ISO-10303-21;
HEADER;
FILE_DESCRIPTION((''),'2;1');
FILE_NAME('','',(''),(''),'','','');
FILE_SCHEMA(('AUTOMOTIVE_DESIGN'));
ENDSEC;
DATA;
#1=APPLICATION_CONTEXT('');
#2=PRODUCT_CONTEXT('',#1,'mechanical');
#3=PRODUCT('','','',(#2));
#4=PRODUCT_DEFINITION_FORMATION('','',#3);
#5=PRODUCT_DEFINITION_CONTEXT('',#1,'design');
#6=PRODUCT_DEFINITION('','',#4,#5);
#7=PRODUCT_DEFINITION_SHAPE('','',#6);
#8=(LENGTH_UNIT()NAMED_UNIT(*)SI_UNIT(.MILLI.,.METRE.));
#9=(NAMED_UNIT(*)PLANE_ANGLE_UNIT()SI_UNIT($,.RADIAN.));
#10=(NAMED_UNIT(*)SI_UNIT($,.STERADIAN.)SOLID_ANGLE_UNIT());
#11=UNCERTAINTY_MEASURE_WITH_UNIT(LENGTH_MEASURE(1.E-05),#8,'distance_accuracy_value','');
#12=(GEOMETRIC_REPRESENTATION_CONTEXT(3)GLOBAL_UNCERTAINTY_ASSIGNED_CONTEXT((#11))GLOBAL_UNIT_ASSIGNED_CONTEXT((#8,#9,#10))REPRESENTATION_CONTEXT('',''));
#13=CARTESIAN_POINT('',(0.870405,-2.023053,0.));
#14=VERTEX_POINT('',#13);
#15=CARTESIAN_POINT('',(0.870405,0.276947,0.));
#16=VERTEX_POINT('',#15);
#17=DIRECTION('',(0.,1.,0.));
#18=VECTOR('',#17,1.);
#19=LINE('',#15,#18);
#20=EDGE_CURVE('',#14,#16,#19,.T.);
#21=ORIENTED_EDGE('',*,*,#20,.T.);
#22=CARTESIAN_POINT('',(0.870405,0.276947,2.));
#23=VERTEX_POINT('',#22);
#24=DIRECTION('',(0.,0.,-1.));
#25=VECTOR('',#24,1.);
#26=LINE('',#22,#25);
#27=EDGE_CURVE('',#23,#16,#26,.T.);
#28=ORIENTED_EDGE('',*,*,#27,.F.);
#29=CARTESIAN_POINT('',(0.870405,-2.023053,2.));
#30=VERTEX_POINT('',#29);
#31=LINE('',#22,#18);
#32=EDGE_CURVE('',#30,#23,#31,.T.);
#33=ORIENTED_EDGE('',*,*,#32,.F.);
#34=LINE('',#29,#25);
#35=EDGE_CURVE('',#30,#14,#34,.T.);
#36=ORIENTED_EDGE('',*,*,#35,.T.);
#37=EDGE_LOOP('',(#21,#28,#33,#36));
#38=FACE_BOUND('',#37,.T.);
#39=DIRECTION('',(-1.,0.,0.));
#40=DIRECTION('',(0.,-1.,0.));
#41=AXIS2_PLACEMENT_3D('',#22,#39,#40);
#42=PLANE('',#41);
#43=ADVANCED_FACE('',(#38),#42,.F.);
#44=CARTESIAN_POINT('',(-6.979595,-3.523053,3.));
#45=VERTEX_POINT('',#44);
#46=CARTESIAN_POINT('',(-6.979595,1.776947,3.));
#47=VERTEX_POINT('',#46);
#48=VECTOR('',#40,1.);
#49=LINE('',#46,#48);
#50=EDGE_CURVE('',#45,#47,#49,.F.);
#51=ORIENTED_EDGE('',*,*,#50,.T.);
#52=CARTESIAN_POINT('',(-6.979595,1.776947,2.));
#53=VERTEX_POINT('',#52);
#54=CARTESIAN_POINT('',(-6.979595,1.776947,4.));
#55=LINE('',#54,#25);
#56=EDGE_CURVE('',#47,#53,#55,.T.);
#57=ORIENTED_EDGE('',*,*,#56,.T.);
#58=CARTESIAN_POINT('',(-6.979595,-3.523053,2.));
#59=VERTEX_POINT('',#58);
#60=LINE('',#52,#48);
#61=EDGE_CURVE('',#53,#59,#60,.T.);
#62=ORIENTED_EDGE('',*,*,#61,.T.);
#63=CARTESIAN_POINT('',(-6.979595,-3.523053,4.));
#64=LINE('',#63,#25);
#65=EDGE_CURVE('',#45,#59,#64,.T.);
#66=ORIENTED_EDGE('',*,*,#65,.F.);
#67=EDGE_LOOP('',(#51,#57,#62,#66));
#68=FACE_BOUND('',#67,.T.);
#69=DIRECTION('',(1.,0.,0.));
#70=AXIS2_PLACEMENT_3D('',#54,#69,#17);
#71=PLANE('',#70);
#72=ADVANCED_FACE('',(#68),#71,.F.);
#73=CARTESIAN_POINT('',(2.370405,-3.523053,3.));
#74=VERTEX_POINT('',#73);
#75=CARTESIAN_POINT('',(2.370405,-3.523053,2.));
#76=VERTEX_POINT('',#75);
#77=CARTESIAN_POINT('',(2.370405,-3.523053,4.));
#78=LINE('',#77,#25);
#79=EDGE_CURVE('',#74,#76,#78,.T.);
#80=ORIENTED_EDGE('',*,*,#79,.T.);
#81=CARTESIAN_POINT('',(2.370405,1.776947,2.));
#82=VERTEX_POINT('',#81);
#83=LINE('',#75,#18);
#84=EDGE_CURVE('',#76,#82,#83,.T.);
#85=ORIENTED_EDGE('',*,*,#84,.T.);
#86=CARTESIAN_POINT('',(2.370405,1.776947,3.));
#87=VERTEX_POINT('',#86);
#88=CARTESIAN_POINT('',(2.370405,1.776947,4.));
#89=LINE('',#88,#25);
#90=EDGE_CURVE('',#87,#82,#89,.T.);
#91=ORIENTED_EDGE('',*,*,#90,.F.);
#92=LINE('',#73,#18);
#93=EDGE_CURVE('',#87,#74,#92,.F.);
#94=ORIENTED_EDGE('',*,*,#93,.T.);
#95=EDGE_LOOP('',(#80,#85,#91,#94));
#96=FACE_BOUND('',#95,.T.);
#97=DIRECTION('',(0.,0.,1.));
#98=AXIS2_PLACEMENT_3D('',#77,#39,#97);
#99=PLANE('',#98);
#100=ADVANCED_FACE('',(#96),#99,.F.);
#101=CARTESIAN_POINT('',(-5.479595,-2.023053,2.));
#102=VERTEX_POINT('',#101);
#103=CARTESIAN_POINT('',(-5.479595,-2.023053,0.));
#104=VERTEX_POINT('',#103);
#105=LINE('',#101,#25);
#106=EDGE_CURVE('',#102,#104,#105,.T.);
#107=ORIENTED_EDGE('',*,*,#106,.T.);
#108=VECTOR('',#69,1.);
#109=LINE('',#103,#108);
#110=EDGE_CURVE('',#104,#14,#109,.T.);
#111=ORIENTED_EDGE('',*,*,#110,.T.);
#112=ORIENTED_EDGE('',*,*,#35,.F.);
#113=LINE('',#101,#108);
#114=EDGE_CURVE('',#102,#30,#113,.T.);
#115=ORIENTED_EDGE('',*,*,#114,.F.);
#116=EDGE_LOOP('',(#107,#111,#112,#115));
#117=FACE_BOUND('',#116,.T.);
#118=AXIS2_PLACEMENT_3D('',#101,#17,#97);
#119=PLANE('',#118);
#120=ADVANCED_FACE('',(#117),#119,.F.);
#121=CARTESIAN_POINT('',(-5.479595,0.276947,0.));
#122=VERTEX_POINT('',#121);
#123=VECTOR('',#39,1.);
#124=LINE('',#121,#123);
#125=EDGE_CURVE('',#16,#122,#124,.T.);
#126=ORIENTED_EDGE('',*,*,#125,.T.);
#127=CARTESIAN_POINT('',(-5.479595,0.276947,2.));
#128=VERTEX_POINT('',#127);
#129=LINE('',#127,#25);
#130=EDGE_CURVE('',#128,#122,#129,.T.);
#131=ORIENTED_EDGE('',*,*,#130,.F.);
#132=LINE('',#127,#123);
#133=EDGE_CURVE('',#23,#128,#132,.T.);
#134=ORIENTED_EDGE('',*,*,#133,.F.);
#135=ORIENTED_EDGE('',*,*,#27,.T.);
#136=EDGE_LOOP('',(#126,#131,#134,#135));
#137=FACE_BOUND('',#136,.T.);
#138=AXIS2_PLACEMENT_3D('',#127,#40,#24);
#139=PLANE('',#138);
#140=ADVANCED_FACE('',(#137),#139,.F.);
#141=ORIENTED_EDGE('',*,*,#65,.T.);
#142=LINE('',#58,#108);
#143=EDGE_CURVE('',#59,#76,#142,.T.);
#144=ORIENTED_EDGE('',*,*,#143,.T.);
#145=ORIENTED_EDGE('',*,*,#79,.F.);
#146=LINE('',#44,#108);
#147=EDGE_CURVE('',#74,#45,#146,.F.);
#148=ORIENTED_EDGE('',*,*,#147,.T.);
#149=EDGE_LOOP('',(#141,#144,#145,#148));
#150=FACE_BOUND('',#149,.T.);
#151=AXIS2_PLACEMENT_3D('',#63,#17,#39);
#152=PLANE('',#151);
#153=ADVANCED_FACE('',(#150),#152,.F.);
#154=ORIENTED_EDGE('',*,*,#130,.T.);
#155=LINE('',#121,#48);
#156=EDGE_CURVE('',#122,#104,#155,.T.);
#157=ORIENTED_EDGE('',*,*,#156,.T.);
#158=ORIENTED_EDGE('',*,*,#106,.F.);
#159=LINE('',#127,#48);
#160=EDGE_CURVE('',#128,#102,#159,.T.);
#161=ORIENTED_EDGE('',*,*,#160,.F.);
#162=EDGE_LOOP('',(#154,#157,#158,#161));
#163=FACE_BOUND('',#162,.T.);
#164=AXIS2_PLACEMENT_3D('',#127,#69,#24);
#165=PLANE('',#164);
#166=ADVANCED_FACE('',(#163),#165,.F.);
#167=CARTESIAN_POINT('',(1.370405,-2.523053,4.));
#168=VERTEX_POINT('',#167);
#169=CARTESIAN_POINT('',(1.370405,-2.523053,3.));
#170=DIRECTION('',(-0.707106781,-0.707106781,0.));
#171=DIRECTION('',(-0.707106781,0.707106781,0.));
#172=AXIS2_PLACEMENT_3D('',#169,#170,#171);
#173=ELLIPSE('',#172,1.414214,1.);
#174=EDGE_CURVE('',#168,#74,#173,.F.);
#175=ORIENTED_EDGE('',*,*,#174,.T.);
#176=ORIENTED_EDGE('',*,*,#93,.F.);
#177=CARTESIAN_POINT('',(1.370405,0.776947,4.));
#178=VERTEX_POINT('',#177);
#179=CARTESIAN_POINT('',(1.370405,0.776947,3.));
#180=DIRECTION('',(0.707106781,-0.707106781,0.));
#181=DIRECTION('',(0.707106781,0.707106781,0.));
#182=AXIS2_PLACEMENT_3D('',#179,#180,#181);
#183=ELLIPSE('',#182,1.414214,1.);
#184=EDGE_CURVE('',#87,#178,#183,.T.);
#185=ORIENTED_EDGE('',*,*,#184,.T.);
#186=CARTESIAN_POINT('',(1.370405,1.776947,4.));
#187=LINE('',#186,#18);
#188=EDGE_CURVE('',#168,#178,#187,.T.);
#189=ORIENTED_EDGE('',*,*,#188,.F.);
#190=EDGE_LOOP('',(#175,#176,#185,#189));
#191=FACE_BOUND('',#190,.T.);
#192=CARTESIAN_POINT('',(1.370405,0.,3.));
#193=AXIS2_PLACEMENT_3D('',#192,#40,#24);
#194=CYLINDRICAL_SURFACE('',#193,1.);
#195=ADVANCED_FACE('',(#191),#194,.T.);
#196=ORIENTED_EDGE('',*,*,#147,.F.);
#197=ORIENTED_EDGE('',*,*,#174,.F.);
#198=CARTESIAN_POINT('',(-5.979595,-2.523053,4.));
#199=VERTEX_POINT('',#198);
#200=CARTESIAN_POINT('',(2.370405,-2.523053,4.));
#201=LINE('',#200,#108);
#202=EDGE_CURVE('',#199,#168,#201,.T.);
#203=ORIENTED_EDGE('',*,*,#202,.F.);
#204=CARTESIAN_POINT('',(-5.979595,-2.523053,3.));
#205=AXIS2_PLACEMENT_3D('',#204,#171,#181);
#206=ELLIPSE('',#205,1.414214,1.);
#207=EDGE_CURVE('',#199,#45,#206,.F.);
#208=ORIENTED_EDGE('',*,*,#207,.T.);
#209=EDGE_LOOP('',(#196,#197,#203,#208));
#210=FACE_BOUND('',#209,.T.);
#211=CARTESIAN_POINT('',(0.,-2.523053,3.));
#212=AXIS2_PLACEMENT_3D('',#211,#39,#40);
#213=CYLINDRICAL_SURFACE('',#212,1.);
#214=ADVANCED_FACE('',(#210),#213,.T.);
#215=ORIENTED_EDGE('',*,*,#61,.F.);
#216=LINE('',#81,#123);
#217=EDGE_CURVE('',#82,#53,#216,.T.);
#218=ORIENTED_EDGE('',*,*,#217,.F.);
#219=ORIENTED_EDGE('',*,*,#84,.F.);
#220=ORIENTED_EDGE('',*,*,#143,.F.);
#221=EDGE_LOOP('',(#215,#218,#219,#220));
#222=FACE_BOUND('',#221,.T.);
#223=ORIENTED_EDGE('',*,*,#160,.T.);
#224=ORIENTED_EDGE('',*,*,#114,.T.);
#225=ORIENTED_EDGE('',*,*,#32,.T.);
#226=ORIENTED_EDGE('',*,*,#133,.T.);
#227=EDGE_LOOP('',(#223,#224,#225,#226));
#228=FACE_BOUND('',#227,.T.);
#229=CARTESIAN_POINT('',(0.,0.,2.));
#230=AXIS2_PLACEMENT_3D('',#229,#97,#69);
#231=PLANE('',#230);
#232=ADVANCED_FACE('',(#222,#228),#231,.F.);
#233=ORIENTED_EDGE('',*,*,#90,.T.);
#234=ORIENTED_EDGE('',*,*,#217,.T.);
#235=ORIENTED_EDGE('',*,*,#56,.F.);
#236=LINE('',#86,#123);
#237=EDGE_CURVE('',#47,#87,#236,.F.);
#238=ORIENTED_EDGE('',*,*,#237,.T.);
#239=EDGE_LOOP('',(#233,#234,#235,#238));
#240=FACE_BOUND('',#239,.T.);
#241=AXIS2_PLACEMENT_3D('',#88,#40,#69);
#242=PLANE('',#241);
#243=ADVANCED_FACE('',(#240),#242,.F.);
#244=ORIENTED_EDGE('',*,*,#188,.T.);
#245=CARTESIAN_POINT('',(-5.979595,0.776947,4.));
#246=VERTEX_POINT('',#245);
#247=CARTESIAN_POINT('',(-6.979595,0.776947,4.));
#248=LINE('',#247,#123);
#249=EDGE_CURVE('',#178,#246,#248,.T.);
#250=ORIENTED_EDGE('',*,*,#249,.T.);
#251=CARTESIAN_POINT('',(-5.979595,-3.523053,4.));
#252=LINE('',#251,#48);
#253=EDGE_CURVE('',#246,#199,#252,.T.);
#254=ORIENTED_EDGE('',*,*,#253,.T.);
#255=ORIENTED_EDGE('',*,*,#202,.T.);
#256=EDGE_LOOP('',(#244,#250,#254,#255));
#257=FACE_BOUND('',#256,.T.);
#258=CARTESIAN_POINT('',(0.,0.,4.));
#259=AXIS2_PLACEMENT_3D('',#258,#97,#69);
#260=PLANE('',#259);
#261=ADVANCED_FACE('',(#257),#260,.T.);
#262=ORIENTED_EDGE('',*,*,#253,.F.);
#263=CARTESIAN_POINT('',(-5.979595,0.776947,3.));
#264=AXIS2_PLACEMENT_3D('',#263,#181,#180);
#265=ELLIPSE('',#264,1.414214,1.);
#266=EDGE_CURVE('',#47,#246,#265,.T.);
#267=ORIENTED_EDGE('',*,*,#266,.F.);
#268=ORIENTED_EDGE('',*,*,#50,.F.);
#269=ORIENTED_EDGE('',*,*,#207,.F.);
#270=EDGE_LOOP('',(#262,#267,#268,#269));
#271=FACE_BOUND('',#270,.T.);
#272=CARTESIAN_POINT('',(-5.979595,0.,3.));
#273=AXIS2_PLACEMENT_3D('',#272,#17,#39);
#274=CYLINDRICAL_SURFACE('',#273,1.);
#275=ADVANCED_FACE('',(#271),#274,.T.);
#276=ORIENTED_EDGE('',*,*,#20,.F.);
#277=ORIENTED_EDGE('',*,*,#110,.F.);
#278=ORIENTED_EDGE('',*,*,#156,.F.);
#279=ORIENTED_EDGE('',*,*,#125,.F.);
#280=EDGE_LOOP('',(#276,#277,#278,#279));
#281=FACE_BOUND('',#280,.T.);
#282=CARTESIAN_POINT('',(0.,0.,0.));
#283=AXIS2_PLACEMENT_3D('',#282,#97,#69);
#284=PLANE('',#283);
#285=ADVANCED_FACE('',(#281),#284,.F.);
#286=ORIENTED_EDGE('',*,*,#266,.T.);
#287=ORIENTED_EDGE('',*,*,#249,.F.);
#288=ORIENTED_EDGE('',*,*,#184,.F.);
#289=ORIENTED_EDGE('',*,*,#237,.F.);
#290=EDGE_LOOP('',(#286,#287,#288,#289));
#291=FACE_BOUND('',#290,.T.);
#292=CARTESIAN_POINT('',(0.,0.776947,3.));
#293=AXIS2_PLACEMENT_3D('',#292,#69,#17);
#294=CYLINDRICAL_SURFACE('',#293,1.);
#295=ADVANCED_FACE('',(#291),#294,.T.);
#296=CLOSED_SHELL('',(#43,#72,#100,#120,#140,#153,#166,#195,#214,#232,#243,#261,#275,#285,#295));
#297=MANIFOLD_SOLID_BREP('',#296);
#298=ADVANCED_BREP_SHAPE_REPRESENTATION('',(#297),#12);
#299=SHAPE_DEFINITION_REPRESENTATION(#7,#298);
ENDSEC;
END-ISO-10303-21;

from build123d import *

# Parameters (mm, degrees)
SKETCH2_W           = 6.35
SKETCH2_H           = 2.3
BOSS_EXTRUDE1_DEPTH = 2
SKETCH4_W           = 9.35
SKETCH4_H           = 5.3
BOSS_EXTRUDE3_DEPTH = 2
FILLET1_R           = 1


with BuildPart() as part:
    # Sketch2 → Boss-Extrude1 (new body)
    with BuildSketch(Plane.XY):
        with Locations((-2.304595016, -0.87305296)):
            Rectangle(SKETCH2_W, SKETCH2_H)
    extrude(amount=BOSS_EXTRUDE1_DEPTH)

    # Sketch4 → Boss-Extrude3 (add)
    with BuildSketch(Plane.XY.offset(2)):
        with Locations((-2.304595016, -0.87305296)):
            Rectangle(SKETCH4_W, SKETCH4_H)
    extrude(amount=BOSS_EXTRUDE3_DEPTH)

    # Fillet1
    fillet1_edges = [part.edges().sort_by_distance(p)[0] for p in [
        (2.370404984, -0.87305296, 4),
        (-2.304595016, 1.77694704, 4),
        (-6.979595016, -0.87305296, 4),
        (-2.304595016, -3.52305296, 4),
    ]]
    fillet(fillet1_edges, radius=FILLET1_R)


solid = part.part
